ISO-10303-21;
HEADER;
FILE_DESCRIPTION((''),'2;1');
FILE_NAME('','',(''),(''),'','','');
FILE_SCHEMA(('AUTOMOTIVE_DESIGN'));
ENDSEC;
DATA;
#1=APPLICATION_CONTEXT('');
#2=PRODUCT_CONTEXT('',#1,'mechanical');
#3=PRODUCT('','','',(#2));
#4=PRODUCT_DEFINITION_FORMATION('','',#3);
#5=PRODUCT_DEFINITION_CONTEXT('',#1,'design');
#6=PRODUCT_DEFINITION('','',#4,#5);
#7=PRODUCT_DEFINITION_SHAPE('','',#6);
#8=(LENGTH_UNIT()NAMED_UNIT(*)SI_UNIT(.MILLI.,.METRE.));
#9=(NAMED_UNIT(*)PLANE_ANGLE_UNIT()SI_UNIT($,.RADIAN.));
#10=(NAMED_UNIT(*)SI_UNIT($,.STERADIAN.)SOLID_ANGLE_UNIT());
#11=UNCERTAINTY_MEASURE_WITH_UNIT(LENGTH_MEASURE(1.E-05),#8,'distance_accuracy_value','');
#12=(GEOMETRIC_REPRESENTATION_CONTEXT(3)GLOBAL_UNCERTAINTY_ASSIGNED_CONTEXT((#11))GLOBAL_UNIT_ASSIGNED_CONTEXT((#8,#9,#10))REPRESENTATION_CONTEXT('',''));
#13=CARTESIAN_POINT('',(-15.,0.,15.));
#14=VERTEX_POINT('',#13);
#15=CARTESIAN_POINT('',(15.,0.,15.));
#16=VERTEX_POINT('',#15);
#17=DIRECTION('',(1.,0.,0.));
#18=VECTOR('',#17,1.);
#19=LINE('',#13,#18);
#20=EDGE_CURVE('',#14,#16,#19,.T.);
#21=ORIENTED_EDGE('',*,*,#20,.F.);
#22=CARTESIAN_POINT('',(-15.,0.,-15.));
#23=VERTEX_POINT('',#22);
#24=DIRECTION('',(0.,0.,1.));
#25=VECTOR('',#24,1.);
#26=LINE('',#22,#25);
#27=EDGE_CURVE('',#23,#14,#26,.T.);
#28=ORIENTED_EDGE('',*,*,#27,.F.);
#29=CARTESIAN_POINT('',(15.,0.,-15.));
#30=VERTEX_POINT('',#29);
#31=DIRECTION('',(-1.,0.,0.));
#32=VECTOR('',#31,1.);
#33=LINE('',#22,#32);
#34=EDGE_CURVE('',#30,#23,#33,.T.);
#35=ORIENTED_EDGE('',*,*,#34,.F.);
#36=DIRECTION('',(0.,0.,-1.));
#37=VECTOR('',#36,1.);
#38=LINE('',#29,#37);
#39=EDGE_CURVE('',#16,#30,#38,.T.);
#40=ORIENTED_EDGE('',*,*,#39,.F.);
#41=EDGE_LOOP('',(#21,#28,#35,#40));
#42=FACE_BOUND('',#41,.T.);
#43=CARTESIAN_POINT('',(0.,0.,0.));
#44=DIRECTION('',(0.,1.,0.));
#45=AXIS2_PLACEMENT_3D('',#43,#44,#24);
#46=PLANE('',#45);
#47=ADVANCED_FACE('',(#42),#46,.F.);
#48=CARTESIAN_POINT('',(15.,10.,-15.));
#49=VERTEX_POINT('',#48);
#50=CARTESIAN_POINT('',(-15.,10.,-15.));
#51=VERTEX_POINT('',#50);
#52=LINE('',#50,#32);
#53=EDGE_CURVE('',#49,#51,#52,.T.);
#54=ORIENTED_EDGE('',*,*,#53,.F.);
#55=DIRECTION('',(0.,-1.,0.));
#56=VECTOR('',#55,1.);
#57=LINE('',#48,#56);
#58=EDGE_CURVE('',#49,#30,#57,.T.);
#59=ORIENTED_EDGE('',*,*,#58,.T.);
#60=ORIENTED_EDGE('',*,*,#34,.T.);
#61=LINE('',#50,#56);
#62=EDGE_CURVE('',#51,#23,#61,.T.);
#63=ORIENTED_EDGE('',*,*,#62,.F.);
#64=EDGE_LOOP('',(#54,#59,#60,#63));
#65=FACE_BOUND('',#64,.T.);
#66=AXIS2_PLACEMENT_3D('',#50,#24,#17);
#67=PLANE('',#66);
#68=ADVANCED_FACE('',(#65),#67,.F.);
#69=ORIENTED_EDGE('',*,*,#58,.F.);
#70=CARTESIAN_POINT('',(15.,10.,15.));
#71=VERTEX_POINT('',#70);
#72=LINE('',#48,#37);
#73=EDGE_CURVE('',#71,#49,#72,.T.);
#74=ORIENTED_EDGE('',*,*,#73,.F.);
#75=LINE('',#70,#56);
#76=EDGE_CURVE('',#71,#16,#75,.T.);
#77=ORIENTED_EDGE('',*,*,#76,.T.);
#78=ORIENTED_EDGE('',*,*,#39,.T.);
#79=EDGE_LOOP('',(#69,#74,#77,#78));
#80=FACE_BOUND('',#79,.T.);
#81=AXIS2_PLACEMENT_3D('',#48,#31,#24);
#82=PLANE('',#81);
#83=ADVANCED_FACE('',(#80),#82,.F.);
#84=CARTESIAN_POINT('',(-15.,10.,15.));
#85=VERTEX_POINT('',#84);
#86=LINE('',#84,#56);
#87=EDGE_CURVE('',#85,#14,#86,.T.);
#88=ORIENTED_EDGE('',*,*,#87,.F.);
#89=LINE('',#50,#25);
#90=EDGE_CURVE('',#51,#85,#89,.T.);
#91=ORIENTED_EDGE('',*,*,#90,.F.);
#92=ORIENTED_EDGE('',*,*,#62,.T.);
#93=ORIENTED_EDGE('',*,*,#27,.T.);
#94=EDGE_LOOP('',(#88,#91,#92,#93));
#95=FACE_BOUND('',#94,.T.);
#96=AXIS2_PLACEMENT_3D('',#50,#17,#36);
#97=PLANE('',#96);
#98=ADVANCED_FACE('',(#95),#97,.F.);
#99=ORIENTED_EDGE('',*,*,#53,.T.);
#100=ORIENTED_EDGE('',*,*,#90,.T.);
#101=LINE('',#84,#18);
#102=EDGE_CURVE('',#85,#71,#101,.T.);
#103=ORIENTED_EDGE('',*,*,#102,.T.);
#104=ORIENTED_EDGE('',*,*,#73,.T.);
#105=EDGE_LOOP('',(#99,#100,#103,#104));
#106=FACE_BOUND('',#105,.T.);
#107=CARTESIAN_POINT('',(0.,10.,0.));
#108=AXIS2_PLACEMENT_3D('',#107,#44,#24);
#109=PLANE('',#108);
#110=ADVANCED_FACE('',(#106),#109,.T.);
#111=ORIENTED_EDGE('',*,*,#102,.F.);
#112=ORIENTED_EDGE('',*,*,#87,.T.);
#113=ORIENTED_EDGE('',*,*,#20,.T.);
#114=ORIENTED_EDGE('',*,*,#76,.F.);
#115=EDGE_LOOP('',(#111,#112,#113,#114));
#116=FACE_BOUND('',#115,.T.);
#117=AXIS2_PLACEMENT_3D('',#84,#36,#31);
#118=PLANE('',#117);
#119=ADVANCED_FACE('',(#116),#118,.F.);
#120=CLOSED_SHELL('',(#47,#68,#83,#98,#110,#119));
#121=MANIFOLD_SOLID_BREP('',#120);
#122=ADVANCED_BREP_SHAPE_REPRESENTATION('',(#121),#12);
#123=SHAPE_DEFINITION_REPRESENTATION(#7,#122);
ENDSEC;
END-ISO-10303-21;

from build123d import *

# Parameters (mm, degrees)
SKETCH1_W           = 30
SKETCH1_H           = 30
BOSS_EXTRUDE1_DEPTH = 10


with BuildPart() as part:
    # Sketch1 → Boss-Extrude1 (new body)
    with BuildSketch(Plane(origin=(0, 0, 0), x_dir=(1, 0, 0), z_dir=(0, 1, 0))):
        Rectangle(SKETCH1_W, SKETCH1_H)
    extrude(amount=BOSS_EXTRUDE1_DEPTH)


solid = part.part
